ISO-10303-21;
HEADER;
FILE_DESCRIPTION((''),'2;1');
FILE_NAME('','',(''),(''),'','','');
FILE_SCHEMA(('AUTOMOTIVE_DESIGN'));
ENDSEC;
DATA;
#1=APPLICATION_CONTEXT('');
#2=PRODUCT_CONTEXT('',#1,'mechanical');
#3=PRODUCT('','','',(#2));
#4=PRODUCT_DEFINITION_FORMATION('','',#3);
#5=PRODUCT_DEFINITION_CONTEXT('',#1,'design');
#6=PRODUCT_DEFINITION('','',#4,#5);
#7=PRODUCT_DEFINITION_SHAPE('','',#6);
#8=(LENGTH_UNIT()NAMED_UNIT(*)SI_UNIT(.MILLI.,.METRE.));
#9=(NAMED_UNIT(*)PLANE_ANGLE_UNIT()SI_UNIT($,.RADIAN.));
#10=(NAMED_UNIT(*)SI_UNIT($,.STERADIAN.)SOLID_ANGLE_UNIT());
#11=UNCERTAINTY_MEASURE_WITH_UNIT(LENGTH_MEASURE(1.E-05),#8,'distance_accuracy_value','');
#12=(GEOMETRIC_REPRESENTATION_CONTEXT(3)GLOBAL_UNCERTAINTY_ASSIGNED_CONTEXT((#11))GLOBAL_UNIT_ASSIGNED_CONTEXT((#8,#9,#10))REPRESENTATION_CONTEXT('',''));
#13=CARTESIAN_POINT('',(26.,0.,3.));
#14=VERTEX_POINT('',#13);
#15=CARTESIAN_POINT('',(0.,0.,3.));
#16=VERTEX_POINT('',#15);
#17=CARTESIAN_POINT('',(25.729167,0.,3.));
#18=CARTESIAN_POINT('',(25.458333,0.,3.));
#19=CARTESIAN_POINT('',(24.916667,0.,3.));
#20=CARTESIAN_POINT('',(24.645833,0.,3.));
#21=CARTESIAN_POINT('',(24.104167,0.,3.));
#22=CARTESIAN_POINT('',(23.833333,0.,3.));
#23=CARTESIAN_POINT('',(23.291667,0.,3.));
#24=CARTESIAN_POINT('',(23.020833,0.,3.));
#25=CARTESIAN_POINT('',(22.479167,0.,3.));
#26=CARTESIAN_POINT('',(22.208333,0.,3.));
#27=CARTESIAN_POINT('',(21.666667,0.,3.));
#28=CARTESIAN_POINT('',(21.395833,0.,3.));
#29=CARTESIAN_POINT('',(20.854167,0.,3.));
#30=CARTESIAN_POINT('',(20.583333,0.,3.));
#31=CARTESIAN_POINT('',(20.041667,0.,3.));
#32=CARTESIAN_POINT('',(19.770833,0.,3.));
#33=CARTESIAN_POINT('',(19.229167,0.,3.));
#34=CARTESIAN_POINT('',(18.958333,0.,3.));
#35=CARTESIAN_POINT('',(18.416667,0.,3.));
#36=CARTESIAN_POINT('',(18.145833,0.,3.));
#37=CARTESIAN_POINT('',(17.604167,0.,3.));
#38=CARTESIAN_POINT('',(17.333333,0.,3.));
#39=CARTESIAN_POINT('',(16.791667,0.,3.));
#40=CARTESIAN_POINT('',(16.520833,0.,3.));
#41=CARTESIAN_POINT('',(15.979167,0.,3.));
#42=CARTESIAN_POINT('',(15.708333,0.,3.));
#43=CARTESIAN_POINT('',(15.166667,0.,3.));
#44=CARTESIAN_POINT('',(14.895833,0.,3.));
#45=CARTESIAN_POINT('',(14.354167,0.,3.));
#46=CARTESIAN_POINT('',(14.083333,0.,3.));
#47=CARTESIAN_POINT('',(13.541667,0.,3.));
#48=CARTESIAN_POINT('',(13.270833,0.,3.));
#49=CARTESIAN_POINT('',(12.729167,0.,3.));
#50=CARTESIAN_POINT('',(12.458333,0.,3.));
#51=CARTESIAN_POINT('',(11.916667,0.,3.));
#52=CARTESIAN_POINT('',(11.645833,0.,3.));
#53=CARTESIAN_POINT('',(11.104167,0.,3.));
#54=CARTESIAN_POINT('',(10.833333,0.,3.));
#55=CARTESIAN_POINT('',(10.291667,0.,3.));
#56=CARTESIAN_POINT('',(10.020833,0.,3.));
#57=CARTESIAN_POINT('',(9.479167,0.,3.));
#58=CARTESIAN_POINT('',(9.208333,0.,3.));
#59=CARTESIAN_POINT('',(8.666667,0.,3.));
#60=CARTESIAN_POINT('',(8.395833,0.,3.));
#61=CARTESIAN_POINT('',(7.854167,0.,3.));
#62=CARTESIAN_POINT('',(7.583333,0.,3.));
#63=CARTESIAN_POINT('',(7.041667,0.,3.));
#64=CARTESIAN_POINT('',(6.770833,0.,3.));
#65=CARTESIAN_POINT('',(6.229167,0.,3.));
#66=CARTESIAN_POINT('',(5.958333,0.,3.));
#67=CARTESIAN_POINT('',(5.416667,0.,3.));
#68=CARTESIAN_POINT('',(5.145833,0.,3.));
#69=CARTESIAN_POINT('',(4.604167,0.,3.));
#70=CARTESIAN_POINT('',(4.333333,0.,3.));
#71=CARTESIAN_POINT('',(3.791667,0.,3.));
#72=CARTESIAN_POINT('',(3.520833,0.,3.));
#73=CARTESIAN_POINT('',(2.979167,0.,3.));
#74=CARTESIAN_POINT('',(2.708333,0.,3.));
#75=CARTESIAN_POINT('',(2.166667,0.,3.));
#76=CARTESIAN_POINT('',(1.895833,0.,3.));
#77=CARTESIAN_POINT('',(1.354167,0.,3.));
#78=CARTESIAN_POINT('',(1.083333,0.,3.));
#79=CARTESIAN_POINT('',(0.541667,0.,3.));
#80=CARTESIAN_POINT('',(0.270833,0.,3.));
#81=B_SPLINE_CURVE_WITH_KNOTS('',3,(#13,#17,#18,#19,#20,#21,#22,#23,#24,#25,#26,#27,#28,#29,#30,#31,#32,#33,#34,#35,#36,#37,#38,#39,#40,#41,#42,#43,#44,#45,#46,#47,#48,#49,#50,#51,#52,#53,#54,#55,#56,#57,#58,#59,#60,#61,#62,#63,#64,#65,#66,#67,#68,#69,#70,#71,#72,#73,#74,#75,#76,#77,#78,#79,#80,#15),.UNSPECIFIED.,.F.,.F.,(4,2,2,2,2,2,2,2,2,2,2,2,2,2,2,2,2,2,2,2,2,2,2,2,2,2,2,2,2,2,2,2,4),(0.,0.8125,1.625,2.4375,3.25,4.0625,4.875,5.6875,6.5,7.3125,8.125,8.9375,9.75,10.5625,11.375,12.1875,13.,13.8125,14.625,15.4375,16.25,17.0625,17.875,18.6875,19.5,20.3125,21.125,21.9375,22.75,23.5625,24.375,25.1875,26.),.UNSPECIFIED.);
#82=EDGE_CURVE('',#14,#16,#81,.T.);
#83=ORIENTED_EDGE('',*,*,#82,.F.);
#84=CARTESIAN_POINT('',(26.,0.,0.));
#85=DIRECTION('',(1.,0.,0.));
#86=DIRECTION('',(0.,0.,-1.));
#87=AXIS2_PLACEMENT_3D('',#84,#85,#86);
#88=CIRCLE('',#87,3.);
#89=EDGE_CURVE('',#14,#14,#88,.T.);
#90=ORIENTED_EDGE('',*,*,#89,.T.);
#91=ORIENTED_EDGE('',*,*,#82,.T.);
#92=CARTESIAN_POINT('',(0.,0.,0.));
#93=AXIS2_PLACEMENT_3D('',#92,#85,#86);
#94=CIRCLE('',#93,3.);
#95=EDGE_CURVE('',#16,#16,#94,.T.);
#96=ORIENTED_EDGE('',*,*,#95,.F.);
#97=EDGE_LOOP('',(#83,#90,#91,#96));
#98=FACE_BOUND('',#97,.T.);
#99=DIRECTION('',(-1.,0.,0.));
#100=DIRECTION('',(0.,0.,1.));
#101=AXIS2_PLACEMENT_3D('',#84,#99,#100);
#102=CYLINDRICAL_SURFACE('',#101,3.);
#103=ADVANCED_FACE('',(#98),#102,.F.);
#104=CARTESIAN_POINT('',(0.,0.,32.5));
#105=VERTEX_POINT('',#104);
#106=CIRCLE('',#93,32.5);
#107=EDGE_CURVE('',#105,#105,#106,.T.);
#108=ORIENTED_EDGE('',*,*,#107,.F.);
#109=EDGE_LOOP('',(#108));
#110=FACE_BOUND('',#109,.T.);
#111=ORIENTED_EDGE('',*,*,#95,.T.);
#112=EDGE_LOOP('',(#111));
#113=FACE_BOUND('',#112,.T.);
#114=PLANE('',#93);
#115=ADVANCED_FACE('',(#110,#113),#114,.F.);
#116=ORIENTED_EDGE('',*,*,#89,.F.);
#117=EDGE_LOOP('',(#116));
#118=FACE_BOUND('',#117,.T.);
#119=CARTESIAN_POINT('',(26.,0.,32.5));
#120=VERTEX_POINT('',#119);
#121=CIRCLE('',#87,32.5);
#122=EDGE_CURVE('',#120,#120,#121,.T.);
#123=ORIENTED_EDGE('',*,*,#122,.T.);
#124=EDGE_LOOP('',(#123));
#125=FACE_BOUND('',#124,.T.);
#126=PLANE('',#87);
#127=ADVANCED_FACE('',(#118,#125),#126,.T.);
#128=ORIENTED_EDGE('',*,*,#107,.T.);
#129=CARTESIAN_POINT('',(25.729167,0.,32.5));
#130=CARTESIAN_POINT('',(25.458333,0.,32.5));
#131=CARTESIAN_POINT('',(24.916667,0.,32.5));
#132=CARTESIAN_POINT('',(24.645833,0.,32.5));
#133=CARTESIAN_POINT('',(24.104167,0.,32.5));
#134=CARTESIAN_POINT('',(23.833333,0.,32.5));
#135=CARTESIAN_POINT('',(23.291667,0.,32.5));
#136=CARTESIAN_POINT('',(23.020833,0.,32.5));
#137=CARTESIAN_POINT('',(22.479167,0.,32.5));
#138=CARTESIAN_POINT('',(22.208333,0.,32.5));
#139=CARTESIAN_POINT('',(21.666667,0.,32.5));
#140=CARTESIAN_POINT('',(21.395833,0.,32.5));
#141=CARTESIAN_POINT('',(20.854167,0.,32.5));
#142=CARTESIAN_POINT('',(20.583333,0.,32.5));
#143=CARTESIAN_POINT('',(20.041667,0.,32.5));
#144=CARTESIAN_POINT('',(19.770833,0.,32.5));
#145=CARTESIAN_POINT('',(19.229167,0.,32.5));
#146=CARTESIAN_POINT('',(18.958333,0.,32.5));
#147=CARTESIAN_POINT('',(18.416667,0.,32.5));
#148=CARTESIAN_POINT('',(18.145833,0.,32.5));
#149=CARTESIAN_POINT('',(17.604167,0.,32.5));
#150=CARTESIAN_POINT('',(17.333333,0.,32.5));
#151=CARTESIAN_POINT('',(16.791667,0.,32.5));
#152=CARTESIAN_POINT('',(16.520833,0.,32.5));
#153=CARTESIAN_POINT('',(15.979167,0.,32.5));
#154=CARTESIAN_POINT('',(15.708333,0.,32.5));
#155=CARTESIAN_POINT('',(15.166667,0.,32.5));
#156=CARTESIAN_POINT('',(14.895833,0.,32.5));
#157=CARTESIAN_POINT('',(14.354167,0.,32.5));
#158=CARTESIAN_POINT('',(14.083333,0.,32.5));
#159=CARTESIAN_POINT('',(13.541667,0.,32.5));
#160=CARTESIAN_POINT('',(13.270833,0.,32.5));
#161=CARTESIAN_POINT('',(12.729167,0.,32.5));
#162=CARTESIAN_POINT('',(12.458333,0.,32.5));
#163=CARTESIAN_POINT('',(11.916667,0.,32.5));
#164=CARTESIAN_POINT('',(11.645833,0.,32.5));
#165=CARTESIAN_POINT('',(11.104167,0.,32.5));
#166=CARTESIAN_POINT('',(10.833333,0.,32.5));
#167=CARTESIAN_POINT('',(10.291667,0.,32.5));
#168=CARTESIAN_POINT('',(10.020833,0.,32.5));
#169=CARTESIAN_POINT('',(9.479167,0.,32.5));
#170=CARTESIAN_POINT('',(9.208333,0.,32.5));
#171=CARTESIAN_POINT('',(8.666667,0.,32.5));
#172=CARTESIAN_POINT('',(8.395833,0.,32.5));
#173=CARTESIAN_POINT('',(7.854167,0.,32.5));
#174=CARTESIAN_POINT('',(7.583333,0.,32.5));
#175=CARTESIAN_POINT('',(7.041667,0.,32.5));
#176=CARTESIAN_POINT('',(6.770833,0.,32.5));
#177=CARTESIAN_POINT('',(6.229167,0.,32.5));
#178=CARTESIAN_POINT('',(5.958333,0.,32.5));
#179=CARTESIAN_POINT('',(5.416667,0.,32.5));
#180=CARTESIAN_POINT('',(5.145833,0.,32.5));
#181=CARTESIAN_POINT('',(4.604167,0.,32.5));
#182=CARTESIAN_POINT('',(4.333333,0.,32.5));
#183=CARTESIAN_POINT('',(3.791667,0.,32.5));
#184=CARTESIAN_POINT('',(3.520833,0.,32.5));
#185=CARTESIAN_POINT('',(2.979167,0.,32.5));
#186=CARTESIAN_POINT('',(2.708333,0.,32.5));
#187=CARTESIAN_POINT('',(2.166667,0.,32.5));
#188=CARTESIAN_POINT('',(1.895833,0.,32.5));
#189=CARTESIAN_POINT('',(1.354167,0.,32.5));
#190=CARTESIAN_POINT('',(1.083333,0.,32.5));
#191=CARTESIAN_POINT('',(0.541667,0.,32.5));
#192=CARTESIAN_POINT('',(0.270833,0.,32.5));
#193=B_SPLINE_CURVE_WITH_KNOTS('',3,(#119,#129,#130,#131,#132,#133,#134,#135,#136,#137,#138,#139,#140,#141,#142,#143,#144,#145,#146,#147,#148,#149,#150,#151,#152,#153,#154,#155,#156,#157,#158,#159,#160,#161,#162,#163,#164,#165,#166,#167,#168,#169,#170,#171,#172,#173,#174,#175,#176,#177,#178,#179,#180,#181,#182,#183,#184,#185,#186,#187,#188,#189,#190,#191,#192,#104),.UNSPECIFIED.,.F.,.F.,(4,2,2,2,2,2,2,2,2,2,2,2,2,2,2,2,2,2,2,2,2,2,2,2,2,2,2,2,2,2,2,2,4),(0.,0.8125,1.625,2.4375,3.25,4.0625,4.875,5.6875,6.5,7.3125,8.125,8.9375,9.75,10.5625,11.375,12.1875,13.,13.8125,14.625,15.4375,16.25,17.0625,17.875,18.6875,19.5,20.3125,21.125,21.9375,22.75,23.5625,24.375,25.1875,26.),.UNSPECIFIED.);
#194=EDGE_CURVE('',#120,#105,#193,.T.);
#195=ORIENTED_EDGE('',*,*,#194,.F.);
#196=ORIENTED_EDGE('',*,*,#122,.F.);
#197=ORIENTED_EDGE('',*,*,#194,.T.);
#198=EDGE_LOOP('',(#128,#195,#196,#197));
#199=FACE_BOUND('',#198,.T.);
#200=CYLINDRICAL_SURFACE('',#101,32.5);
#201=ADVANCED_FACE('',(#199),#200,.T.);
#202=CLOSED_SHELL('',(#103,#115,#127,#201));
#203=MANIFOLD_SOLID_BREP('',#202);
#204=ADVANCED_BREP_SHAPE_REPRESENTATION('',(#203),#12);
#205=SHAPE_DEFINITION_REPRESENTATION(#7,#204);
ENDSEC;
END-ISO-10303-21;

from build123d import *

# Parameters (mm, degrees)
SKETCH_1_R      = 32.5
SKETCH_1_R_2    = 3
EXTRUDE_1_DEPTH = 26


with BuildPart() as part:
    # 草图1 → 凸台-拉伸1 (new body)
    with BuildSketch(Plane(origin=(0, 0, 0), x_dir=(0, 0, -1), z_dir=(1, 0, 0))):
        with Locations(Location((0, 0, 0), (0, 0, 180))):
            Circle(SKETCH_1_R)
        with Locations(Location((0, 0, 0), (0, 0, 180))):
            Circle(SKETCH_1_R_2, mode=Mode.SUBTRACT)
    extrude(amount=EXTRUDE_1_DEPTH)


solid = part.part
